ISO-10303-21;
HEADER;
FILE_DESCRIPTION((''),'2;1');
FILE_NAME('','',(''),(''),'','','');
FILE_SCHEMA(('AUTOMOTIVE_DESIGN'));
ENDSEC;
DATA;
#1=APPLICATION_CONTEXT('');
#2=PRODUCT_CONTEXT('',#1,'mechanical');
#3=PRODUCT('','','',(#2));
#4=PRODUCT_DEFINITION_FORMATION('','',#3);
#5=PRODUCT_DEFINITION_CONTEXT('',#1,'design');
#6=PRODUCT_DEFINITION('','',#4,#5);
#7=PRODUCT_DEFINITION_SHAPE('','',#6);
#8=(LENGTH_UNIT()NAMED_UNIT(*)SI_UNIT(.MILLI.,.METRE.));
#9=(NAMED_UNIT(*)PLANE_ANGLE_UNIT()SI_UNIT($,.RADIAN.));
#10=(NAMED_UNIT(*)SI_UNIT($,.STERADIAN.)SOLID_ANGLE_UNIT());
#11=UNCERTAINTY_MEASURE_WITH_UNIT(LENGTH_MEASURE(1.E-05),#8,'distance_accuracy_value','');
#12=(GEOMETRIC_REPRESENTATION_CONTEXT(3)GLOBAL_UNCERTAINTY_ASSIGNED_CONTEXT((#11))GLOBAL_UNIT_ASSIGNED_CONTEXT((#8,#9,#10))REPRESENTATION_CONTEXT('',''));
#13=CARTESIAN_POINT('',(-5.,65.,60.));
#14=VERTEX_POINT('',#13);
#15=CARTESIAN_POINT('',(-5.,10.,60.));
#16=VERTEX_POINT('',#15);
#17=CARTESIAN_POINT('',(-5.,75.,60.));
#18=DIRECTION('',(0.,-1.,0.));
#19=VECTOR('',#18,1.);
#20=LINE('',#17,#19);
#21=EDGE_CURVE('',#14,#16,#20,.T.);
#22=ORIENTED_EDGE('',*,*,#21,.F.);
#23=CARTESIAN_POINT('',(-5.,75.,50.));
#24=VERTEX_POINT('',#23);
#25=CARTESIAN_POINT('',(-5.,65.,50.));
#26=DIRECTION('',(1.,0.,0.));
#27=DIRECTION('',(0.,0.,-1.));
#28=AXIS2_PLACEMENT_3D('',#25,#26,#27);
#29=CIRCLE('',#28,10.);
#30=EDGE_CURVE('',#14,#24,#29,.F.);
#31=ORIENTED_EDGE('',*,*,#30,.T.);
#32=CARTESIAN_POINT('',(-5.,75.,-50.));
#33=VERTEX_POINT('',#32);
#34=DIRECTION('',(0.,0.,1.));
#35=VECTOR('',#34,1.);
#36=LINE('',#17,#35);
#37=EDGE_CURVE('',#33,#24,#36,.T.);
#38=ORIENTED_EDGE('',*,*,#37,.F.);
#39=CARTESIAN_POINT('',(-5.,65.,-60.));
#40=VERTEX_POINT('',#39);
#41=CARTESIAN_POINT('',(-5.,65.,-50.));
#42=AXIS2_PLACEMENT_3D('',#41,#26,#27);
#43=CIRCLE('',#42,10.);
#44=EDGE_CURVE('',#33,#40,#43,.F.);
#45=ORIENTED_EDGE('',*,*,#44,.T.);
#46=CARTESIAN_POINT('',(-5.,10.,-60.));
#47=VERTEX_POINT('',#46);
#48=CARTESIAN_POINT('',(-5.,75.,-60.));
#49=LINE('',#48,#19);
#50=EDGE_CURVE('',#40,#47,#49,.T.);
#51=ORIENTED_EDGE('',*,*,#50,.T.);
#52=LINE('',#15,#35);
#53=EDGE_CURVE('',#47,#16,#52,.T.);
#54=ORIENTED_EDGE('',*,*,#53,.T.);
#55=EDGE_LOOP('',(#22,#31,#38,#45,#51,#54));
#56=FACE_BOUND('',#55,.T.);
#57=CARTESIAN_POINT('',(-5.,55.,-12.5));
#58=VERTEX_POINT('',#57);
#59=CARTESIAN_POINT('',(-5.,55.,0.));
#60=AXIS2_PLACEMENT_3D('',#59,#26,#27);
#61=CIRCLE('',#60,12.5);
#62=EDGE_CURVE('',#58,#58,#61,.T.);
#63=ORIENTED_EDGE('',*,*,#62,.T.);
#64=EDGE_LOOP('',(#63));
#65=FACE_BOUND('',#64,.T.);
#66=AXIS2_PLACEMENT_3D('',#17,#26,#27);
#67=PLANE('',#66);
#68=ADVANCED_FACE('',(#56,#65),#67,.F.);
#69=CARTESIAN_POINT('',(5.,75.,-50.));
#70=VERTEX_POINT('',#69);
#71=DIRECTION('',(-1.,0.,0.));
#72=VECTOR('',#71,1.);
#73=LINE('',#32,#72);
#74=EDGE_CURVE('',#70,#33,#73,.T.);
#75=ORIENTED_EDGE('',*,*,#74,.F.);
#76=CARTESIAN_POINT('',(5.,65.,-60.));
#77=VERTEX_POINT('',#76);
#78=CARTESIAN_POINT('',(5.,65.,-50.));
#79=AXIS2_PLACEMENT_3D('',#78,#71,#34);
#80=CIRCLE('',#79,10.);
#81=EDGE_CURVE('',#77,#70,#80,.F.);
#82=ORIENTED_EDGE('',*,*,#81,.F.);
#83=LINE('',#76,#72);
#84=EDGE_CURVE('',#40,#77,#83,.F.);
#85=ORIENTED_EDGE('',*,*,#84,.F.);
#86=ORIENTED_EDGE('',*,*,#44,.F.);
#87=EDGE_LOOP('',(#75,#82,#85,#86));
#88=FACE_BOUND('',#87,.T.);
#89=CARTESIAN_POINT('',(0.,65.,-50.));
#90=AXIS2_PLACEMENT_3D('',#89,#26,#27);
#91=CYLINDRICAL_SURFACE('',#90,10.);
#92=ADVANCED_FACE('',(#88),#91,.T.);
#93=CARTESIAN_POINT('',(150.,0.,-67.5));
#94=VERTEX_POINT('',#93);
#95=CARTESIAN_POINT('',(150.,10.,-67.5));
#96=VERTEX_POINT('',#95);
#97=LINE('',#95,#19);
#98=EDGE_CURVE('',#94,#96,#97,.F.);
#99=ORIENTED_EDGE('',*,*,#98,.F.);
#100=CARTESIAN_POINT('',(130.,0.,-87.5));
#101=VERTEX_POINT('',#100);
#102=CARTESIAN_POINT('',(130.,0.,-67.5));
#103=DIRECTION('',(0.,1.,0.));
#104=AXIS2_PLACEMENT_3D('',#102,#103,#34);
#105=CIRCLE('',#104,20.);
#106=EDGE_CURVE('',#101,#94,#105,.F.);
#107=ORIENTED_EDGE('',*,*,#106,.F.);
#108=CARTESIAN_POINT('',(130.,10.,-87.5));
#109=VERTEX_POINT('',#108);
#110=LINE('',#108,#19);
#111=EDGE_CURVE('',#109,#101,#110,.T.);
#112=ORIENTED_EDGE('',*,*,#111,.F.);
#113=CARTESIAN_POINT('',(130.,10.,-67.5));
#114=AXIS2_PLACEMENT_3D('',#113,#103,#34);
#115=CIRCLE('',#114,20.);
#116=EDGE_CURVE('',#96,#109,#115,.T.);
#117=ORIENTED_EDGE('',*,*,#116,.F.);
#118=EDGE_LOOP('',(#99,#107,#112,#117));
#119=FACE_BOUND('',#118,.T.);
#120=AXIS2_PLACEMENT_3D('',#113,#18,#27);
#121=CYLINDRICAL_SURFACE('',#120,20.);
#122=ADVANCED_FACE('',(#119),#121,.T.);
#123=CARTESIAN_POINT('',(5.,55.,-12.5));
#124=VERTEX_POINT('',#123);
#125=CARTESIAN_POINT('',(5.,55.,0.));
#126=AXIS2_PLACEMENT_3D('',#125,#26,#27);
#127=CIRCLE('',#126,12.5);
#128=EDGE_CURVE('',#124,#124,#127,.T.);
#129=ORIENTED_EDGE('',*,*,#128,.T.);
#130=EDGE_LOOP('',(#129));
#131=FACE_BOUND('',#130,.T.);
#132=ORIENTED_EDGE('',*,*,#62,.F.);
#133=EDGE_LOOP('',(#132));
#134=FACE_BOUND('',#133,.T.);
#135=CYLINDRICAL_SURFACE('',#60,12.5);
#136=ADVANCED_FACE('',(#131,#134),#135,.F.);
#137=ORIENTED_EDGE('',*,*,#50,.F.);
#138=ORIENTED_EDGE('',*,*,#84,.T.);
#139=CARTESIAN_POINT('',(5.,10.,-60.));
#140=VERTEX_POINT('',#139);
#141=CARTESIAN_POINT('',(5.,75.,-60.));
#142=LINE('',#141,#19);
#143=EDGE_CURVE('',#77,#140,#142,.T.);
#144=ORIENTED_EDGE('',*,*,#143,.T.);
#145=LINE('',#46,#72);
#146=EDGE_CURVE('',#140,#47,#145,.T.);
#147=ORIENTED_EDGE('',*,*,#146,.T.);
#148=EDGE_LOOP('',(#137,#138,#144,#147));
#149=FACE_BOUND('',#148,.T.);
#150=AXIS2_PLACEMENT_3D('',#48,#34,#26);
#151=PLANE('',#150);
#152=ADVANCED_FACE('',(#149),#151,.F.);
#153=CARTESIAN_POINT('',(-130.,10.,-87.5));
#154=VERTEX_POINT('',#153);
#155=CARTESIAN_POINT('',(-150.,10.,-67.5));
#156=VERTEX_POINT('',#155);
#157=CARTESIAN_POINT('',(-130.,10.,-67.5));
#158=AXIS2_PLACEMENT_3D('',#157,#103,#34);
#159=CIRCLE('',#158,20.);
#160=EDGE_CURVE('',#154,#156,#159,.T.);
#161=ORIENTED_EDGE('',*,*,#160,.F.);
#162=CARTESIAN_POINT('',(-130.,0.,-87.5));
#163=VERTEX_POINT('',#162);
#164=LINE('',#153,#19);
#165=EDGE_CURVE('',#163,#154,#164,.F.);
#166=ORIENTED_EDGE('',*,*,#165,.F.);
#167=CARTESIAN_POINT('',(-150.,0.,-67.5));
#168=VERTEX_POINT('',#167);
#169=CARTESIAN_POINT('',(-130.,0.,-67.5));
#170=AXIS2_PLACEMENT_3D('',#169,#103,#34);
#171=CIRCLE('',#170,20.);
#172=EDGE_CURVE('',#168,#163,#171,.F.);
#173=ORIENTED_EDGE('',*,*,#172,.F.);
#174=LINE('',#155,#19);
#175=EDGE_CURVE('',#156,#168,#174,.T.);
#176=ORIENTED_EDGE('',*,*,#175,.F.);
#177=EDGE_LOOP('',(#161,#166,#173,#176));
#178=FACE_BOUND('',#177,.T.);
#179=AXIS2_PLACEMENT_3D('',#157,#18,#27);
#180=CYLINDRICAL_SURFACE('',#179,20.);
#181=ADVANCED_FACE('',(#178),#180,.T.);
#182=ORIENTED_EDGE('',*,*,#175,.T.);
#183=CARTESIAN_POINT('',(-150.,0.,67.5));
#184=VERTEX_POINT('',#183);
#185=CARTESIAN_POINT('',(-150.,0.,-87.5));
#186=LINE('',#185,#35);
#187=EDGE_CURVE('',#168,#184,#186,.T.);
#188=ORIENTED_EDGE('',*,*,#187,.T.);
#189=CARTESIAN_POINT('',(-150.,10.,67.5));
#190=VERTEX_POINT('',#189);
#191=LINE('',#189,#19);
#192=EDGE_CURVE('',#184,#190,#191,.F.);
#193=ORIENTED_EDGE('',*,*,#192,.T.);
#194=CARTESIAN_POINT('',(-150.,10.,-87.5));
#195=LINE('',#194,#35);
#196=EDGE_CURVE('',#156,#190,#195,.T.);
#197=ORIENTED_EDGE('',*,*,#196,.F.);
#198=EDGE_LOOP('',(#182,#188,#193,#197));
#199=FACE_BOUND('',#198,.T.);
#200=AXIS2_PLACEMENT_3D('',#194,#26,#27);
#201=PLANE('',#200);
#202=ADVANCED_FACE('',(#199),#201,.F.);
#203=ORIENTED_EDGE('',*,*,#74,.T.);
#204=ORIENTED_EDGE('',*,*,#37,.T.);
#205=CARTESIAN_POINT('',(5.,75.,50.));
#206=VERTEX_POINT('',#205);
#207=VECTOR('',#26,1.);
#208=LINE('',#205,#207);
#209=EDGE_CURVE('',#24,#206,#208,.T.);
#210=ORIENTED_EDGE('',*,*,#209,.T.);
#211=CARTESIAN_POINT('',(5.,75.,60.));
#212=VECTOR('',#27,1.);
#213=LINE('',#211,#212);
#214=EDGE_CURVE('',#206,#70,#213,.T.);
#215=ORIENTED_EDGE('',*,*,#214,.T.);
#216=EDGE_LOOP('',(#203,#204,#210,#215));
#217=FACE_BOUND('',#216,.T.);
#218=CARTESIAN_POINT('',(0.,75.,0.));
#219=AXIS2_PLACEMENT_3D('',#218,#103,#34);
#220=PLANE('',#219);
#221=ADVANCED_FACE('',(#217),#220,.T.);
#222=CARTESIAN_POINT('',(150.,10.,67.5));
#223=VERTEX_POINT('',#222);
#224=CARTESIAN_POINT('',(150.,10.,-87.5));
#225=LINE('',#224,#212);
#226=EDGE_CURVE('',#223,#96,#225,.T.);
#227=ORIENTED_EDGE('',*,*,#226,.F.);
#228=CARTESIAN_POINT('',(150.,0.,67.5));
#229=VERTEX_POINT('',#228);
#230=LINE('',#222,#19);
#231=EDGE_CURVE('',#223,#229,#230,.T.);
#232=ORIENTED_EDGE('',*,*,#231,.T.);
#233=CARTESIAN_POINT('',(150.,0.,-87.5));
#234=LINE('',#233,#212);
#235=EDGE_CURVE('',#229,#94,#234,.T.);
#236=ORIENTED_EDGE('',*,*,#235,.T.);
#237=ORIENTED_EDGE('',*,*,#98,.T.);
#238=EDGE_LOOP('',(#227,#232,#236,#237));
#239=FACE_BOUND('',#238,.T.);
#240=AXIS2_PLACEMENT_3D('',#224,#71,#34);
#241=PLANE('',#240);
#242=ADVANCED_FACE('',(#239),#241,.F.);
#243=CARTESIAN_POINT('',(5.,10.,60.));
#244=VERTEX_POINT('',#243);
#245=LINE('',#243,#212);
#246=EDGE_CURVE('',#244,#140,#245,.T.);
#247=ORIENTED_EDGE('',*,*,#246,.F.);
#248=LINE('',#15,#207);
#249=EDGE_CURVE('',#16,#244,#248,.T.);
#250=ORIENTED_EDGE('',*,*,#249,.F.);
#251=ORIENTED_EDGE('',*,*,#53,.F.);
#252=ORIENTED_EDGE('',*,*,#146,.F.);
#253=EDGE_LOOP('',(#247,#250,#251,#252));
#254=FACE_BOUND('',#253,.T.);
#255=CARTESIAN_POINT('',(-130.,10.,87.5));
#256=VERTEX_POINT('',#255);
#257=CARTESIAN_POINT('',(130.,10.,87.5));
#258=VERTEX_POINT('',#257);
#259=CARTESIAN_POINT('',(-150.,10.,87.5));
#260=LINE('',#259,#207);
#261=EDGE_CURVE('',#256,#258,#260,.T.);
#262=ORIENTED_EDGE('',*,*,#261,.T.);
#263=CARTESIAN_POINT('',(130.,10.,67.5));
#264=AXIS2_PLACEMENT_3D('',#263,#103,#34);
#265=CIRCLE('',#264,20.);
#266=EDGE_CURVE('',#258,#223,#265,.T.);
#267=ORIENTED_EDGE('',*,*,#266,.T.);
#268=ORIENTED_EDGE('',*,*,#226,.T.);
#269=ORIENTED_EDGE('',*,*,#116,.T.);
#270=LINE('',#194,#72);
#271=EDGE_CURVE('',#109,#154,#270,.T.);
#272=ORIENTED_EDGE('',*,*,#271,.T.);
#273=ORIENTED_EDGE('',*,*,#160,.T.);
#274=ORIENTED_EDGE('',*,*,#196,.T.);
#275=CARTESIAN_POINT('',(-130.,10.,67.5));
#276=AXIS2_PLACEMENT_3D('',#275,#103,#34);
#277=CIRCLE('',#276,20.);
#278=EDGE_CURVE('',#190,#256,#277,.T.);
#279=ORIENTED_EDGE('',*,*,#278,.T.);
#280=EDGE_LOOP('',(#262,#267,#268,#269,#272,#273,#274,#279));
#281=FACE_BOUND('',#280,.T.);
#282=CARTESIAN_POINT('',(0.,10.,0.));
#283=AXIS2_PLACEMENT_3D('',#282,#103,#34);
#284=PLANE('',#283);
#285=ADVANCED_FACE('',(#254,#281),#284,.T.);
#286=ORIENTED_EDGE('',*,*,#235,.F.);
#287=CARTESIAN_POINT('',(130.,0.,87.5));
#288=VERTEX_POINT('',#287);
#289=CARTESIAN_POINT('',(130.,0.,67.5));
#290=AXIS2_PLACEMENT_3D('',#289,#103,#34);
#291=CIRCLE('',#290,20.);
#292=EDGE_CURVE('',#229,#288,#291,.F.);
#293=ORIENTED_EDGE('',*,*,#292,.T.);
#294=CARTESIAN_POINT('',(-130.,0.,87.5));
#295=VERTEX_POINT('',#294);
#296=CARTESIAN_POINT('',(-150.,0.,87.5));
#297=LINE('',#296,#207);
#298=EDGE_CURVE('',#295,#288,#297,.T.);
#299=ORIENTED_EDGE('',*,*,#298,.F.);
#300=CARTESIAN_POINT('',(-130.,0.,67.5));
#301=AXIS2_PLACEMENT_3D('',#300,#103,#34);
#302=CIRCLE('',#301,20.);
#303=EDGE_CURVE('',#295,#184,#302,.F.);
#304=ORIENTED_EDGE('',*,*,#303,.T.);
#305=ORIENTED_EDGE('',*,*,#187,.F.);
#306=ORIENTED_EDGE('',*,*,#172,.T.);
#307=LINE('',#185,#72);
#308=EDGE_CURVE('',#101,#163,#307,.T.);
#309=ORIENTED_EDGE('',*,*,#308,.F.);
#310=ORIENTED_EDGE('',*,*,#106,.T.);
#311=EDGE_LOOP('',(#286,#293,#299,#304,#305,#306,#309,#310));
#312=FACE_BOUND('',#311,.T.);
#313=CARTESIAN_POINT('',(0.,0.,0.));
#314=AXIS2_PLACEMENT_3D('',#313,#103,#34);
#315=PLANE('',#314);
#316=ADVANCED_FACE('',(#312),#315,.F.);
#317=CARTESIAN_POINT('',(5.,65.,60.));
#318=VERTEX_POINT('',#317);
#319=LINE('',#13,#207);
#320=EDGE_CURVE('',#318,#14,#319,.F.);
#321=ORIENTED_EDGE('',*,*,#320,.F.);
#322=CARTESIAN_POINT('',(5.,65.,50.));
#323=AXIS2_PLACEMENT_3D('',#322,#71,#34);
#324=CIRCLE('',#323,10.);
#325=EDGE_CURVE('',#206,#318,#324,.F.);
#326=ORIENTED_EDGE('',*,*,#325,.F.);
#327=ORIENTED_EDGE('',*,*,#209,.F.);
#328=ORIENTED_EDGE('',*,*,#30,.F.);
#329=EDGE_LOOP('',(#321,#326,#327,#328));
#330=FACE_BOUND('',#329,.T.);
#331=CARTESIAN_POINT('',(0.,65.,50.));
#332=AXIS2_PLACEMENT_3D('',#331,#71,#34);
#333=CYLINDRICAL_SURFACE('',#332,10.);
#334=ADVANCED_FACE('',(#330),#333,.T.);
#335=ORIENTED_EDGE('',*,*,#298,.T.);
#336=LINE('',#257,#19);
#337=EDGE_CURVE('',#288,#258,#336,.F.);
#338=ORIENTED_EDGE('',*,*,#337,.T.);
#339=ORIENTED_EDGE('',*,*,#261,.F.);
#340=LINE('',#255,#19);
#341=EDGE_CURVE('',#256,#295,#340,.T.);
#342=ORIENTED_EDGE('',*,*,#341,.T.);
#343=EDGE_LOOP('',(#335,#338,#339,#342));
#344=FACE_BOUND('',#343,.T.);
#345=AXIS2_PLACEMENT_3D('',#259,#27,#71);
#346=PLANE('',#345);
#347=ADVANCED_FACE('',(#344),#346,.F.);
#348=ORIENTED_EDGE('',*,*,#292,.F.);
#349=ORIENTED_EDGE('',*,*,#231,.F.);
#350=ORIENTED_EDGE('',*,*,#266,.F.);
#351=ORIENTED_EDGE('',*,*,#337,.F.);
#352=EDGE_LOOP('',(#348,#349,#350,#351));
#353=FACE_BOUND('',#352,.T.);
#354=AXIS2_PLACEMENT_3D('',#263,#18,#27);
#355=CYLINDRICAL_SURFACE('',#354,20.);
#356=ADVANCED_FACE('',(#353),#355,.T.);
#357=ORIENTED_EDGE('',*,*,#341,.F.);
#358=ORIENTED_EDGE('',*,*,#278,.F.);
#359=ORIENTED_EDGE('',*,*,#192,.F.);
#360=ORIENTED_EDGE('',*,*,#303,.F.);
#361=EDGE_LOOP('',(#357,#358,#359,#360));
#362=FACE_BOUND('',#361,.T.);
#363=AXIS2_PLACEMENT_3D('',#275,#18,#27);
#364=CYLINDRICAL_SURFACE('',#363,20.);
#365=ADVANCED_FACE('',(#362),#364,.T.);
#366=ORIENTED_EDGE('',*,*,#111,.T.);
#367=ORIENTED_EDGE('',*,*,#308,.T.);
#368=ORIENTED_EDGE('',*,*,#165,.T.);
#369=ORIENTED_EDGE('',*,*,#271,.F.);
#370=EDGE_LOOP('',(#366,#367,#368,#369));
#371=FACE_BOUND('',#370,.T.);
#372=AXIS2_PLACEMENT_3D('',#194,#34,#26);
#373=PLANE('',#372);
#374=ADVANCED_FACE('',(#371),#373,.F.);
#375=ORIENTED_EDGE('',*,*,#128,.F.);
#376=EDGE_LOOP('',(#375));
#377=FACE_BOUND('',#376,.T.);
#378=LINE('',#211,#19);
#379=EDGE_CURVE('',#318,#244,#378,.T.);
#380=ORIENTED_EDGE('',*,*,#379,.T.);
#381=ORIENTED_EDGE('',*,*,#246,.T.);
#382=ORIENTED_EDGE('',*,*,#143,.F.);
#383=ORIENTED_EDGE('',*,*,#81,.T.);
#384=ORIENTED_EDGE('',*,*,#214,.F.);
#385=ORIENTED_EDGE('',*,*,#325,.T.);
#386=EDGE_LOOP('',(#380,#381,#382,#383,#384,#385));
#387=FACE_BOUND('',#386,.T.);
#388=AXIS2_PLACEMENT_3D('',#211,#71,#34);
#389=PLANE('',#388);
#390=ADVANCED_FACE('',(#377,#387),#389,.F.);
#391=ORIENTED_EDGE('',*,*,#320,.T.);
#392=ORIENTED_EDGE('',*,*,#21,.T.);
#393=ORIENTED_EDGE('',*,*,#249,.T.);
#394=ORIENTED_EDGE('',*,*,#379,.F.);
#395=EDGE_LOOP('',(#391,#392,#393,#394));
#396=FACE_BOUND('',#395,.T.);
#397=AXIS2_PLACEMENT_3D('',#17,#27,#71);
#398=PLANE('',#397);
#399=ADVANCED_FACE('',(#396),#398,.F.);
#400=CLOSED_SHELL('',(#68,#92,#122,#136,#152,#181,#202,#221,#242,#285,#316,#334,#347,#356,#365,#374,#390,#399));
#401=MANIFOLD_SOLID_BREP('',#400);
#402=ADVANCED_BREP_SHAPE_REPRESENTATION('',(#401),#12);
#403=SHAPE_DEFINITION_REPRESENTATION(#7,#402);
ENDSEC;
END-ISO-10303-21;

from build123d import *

# Parameters (mm, degrees)
SKETCH1_W           = 300
SKETCH1_H           = 175
BOSS_EXTRUDE1_DEPTH = 10
SKETCH2_W           = 10
SKETCH2_H           = 120
BOSS_EXTRUDE2_DEPTH = 65
CUT_EXTRUDE1_DEPTH  = 10
FILLET1_R           = 10
FILLET2_R           = 20


with BuildPart() as part:
    # Sketch1 → Boss-Extrude1 (new body)
    with BuildSketch(Plane(origin=(0, 0, 0), x_dir=(1, 0, 0), z_dir=(0, 1, 0))):
        Rectangle(SKETCH1_W, SKETCH1_H)
    extrude(amount=BOSS_EXTRUDE1_DEPTH)

    # Sketch2 → Boss-Extrude2 (add)
    with BuildSketch(Plane(origin=(0, 10, 0), x_dir=(1, 0, 0), z_dir=(0, 1, 0))):
        Rectangle(SKETCH2_W, SKETCH2_H)
    extrude(amount=BOSS_EXTRUDE2_DEPTH)

    # Sketch3 → Cut-Extrude1 (cut)
    with BuildSketch(Plane(origin=(5, 0, 0), x_dir=(0, 0, -1), z_dir=(1, 0, 0))):
        with BuildLine():
            ThreePointArc((-12.5, 55), (-8.838834765, 46.161165235), (0, 42.5))
            Line((0, 42.5), (0, 55))
            Line((0, 55), (-12.5, 55))
        make_face()
        with BuildLine():
            Line((0, 55), (0, 42.5))
            ThreePointArc((0, 42.5), (8.838834765, 46.161165235), (12.5, 55))
            Line((12.5, 55), (0, 55))
        make_face()
        with BuildLine():
            Line((-12.5, 55), (0, 55))
            Line((0, 55), (12.5, 55))
            ThreePointArc((12.5, 55), (0, 67.5), (-12.5, 55))
        make_face()
    extrude(amount=-CUT_EXTRUDE1_DEPTH, mode=Mode.SUBTRACT)

    # Fillet1
    fillet1_edges = [part.edges().sort_by_distance(p)[0] for p in [
        (0, 75, -60),
        (0, 75, 60),
    ]]
    fillet(fillet1_edges, radius=FILLET1_R)

    # Fillet2
    fillet2_edges = [part.edges().sort_by_distance(p)[0] for p in [
        (150, 5, 87.5),
        (-150, 5, 87.5),
        (-150, 5, -87.5),
        (150, 5, -87.5),
    ]]
    fillet(fillet2_edges, radius=FILLET2_R)


solid = part.part
